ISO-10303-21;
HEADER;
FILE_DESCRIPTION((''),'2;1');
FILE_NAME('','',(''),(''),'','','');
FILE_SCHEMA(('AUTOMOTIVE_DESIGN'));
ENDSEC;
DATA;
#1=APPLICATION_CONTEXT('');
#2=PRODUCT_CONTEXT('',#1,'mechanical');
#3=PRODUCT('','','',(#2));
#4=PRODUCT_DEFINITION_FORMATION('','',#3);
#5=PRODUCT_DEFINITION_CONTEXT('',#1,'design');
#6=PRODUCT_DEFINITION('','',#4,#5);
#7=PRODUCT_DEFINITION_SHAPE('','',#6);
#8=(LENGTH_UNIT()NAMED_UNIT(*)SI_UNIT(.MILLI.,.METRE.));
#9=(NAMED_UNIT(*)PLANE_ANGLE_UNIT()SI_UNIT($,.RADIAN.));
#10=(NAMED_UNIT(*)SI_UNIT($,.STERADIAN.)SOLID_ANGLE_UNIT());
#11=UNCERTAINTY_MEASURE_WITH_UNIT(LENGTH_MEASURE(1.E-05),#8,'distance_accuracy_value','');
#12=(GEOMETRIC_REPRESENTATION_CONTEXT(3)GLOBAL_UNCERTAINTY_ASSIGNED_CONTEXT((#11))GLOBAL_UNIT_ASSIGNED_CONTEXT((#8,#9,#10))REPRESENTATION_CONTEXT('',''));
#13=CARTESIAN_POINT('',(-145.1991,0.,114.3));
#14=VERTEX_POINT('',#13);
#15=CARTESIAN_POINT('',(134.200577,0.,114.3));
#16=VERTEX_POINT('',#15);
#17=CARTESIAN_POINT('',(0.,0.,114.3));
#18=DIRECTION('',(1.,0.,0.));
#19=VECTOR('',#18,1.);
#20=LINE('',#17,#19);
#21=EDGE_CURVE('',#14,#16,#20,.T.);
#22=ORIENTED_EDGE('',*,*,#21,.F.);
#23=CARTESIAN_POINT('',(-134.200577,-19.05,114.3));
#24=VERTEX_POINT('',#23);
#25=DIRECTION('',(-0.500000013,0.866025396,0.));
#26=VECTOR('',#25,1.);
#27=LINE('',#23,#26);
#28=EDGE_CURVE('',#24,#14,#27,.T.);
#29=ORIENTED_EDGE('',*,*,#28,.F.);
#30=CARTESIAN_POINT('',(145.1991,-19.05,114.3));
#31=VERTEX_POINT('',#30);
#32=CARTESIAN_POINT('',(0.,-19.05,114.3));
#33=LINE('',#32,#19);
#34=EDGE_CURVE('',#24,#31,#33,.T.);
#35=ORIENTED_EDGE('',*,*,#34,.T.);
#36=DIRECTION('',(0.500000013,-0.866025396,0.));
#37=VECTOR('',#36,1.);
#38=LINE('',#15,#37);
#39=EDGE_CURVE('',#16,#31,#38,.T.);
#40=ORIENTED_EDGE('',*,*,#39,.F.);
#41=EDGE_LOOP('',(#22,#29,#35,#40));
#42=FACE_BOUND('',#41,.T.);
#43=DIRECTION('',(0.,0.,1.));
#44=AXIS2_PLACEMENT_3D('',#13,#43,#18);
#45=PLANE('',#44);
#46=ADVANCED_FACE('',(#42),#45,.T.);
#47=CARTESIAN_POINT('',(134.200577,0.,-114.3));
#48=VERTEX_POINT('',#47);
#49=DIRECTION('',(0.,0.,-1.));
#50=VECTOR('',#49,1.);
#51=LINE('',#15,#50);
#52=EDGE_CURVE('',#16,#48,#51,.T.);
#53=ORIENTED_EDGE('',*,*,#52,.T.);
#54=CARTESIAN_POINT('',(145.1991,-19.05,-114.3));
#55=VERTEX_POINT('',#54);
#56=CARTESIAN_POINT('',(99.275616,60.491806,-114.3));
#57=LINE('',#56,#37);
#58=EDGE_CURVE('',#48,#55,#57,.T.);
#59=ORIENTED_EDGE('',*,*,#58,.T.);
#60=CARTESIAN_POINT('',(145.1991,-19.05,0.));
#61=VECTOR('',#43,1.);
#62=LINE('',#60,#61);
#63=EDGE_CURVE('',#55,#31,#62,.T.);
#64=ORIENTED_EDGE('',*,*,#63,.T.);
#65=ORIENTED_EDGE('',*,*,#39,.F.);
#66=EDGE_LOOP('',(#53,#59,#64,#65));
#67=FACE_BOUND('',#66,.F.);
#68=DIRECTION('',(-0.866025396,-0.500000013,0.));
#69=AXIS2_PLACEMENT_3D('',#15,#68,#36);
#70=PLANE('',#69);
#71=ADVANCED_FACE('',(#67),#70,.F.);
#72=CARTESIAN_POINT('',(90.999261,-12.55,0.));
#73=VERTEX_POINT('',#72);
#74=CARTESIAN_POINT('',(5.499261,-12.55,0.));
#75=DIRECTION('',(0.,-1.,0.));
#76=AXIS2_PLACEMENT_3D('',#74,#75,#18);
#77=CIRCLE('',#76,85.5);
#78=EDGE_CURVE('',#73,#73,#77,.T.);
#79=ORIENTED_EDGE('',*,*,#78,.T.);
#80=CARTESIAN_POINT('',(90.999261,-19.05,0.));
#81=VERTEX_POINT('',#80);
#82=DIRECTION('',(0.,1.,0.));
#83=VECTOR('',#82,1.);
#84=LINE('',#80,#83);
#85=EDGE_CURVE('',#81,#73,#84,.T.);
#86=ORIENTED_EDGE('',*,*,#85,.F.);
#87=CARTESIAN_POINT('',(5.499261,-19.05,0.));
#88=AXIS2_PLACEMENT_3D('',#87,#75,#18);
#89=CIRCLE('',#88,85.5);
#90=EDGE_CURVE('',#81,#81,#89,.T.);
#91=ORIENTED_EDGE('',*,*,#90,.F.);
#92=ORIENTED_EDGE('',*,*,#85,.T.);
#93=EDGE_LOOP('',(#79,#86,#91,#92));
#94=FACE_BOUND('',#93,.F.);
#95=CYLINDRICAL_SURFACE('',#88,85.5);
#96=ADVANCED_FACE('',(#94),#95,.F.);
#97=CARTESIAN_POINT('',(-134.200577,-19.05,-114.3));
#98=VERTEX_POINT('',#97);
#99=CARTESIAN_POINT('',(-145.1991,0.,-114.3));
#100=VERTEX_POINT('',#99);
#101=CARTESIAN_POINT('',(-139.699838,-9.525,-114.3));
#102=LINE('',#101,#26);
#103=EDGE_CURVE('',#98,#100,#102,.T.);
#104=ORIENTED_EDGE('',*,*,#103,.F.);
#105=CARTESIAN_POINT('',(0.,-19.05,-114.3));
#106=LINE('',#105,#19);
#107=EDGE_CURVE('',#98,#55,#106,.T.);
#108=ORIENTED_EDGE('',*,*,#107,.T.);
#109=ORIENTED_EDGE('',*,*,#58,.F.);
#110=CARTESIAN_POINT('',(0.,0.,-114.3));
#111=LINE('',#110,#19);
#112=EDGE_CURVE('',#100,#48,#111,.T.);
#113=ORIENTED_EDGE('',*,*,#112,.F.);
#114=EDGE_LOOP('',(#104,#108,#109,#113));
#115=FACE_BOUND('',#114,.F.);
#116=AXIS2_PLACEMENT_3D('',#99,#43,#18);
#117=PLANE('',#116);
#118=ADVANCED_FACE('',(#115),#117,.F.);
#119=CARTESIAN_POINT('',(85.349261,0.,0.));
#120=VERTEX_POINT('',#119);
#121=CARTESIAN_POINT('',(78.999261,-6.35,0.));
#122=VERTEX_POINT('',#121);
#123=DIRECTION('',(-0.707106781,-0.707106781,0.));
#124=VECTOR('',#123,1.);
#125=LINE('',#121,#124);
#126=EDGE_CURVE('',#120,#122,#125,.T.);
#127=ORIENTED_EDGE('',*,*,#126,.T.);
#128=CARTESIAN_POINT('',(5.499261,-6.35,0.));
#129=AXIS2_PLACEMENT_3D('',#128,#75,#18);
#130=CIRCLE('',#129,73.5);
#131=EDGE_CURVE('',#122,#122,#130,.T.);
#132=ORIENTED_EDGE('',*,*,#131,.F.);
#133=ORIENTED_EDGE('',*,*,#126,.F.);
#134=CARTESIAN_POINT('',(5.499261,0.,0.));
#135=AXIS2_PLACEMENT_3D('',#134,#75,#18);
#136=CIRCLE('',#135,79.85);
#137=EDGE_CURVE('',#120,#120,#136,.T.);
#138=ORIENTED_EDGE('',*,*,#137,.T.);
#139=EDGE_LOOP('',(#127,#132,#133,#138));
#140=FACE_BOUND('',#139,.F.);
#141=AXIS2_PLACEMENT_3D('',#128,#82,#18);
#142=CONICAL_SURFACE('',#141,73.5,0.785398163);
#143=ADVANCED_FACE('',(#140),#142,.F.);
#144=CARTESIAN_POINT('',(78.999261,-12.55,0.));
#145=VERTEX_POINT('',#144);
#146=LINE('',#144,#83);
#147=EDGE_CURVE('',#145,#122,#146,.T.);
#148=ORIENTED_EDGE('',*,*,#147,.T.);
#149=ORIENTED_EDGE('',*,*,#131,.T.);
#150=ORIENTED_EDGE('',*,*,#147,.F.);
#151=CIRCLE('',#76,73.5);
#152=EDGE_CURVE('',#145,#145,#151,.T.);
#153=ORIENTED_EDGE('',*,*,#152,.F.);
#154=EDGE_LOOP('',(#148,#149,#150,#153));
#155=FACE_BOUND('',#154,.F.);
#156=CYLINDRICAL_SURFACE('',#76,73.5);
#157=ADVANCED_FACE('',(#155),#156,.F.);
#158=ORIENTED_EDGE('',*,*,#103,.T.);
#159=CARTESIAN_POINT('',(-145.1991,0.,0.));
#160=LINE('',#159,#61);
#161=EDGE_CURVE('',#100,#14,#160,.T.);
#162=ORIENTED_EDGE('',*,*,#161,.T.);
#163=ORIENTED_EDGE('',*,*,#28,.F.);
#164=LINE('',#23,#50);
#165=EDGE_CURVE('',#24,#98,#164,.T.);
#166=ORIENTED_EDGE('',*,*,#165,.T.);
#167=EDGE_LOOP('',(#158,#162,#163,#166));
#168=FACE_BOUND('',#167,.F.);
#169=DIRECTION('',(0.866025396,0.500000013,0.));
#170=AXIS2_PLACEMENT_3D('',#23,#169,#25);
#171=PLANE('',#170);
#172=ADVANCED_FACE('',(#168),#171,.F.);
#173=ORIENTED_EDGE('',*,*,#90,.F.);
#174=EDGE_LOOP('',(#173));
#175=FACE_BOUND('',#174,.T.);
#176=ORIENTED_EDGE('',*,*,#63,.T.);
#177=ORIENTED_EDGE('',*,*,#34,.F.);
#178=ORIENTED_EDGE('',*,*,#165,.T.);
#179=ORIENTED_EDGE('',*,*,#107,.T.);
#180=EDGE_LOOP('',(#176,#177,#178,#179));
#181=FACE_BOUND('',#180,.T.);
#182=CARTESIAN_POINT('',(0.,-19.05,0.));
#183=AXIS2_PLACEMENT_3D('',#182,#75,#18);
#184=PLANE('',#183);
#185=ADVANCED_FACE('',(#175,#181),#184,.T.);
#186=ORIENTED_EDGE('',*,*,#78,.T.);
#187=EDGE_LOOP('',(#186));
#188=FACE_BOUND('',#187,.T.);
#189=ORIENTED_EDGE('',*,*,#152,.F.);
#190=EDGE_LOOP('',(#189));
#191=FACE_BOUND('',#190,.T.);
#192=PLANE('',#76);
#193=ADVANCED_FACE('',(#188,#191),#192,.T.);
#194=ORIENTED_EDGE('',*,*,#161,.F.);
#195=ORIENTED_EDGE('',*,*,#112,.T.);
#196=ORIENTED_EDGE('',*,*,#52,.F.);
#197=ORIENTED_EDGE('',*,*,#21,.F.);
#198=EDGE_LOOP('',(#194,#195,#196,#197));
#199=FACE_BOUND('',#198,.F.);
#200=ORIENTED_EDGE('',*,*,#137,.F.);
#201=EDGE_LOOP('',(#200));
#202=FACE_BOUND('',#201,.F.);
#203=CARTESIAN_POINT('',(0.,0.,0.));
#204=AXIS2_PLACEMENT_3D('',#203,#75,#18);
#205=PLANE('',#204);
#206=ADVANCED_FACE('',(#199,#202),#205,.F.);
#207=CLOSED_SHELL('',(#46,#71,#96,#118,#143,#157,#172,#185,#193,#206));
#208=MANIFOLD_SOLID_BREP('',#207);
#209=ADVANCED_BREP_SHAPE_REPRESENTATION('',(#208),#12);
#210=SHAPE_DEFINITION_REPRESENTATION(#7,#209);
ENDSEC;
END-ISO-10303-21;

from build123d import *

# Parameters (mm, degrees)
F0_W     = 290.3982
F0_H     = 228.6
F1_DEPTH = 19.05
F3_DEPTH = 228.601
F4_R     = 85.5
F5_DEPTH = 6.5
F6_R     = 73.5
F7_DEPTH = 12.551
F8_SIZE  = 6.35


with BuildPart() as f1:
    # F0 (on Front) → F1 (new body)
    with BuildSketch(Plane.XZ):
        Rectangle(F0_W, F0_H)
    extrude(amount=F1_DEPTH)

    # F2 (on face) → F3 (cut, through all)
    with BuildSketch(Plane.XY.offset(114.3)):
        Polygon((-134.200577, -19.05), (-145.1991, 0), (-145.1991, -19.05), align=None)
        Polygon((134.200577, 0), (145.1991, -19.05), (145.1991, 0), align=None)
    extrude(amount=-F3_DEPTH, mode=Mode.SUBTRACT)

    # F4 (on face) → F5 (cut)
    with BuildSketch(Plane.XZ.offset(19.05)):
        with Locations((5.499261, 0)):
            Circle(F4_R)
    extrude(amount=-F5_DEPTH, mode=Mode.SUBTRACT)

    # F6 (on face) → F7 (cut, through all)
    with BuildSketch(Plane.XZ.offset(12.55)):
        with Locations((5.499261, 0)):
            Circle(F6_R)
    extrude(amount=-F7_DEPTH, mode=Mode.SUBTRACT)

    # F8
    f8_edges = [f1.edges().sort_by_distance(p)[0] for p in [
        (-68.000739, 0, 0),
    ]]
    chamfer(f8_edges, length=F8_SIZE)


solid = f1.part
